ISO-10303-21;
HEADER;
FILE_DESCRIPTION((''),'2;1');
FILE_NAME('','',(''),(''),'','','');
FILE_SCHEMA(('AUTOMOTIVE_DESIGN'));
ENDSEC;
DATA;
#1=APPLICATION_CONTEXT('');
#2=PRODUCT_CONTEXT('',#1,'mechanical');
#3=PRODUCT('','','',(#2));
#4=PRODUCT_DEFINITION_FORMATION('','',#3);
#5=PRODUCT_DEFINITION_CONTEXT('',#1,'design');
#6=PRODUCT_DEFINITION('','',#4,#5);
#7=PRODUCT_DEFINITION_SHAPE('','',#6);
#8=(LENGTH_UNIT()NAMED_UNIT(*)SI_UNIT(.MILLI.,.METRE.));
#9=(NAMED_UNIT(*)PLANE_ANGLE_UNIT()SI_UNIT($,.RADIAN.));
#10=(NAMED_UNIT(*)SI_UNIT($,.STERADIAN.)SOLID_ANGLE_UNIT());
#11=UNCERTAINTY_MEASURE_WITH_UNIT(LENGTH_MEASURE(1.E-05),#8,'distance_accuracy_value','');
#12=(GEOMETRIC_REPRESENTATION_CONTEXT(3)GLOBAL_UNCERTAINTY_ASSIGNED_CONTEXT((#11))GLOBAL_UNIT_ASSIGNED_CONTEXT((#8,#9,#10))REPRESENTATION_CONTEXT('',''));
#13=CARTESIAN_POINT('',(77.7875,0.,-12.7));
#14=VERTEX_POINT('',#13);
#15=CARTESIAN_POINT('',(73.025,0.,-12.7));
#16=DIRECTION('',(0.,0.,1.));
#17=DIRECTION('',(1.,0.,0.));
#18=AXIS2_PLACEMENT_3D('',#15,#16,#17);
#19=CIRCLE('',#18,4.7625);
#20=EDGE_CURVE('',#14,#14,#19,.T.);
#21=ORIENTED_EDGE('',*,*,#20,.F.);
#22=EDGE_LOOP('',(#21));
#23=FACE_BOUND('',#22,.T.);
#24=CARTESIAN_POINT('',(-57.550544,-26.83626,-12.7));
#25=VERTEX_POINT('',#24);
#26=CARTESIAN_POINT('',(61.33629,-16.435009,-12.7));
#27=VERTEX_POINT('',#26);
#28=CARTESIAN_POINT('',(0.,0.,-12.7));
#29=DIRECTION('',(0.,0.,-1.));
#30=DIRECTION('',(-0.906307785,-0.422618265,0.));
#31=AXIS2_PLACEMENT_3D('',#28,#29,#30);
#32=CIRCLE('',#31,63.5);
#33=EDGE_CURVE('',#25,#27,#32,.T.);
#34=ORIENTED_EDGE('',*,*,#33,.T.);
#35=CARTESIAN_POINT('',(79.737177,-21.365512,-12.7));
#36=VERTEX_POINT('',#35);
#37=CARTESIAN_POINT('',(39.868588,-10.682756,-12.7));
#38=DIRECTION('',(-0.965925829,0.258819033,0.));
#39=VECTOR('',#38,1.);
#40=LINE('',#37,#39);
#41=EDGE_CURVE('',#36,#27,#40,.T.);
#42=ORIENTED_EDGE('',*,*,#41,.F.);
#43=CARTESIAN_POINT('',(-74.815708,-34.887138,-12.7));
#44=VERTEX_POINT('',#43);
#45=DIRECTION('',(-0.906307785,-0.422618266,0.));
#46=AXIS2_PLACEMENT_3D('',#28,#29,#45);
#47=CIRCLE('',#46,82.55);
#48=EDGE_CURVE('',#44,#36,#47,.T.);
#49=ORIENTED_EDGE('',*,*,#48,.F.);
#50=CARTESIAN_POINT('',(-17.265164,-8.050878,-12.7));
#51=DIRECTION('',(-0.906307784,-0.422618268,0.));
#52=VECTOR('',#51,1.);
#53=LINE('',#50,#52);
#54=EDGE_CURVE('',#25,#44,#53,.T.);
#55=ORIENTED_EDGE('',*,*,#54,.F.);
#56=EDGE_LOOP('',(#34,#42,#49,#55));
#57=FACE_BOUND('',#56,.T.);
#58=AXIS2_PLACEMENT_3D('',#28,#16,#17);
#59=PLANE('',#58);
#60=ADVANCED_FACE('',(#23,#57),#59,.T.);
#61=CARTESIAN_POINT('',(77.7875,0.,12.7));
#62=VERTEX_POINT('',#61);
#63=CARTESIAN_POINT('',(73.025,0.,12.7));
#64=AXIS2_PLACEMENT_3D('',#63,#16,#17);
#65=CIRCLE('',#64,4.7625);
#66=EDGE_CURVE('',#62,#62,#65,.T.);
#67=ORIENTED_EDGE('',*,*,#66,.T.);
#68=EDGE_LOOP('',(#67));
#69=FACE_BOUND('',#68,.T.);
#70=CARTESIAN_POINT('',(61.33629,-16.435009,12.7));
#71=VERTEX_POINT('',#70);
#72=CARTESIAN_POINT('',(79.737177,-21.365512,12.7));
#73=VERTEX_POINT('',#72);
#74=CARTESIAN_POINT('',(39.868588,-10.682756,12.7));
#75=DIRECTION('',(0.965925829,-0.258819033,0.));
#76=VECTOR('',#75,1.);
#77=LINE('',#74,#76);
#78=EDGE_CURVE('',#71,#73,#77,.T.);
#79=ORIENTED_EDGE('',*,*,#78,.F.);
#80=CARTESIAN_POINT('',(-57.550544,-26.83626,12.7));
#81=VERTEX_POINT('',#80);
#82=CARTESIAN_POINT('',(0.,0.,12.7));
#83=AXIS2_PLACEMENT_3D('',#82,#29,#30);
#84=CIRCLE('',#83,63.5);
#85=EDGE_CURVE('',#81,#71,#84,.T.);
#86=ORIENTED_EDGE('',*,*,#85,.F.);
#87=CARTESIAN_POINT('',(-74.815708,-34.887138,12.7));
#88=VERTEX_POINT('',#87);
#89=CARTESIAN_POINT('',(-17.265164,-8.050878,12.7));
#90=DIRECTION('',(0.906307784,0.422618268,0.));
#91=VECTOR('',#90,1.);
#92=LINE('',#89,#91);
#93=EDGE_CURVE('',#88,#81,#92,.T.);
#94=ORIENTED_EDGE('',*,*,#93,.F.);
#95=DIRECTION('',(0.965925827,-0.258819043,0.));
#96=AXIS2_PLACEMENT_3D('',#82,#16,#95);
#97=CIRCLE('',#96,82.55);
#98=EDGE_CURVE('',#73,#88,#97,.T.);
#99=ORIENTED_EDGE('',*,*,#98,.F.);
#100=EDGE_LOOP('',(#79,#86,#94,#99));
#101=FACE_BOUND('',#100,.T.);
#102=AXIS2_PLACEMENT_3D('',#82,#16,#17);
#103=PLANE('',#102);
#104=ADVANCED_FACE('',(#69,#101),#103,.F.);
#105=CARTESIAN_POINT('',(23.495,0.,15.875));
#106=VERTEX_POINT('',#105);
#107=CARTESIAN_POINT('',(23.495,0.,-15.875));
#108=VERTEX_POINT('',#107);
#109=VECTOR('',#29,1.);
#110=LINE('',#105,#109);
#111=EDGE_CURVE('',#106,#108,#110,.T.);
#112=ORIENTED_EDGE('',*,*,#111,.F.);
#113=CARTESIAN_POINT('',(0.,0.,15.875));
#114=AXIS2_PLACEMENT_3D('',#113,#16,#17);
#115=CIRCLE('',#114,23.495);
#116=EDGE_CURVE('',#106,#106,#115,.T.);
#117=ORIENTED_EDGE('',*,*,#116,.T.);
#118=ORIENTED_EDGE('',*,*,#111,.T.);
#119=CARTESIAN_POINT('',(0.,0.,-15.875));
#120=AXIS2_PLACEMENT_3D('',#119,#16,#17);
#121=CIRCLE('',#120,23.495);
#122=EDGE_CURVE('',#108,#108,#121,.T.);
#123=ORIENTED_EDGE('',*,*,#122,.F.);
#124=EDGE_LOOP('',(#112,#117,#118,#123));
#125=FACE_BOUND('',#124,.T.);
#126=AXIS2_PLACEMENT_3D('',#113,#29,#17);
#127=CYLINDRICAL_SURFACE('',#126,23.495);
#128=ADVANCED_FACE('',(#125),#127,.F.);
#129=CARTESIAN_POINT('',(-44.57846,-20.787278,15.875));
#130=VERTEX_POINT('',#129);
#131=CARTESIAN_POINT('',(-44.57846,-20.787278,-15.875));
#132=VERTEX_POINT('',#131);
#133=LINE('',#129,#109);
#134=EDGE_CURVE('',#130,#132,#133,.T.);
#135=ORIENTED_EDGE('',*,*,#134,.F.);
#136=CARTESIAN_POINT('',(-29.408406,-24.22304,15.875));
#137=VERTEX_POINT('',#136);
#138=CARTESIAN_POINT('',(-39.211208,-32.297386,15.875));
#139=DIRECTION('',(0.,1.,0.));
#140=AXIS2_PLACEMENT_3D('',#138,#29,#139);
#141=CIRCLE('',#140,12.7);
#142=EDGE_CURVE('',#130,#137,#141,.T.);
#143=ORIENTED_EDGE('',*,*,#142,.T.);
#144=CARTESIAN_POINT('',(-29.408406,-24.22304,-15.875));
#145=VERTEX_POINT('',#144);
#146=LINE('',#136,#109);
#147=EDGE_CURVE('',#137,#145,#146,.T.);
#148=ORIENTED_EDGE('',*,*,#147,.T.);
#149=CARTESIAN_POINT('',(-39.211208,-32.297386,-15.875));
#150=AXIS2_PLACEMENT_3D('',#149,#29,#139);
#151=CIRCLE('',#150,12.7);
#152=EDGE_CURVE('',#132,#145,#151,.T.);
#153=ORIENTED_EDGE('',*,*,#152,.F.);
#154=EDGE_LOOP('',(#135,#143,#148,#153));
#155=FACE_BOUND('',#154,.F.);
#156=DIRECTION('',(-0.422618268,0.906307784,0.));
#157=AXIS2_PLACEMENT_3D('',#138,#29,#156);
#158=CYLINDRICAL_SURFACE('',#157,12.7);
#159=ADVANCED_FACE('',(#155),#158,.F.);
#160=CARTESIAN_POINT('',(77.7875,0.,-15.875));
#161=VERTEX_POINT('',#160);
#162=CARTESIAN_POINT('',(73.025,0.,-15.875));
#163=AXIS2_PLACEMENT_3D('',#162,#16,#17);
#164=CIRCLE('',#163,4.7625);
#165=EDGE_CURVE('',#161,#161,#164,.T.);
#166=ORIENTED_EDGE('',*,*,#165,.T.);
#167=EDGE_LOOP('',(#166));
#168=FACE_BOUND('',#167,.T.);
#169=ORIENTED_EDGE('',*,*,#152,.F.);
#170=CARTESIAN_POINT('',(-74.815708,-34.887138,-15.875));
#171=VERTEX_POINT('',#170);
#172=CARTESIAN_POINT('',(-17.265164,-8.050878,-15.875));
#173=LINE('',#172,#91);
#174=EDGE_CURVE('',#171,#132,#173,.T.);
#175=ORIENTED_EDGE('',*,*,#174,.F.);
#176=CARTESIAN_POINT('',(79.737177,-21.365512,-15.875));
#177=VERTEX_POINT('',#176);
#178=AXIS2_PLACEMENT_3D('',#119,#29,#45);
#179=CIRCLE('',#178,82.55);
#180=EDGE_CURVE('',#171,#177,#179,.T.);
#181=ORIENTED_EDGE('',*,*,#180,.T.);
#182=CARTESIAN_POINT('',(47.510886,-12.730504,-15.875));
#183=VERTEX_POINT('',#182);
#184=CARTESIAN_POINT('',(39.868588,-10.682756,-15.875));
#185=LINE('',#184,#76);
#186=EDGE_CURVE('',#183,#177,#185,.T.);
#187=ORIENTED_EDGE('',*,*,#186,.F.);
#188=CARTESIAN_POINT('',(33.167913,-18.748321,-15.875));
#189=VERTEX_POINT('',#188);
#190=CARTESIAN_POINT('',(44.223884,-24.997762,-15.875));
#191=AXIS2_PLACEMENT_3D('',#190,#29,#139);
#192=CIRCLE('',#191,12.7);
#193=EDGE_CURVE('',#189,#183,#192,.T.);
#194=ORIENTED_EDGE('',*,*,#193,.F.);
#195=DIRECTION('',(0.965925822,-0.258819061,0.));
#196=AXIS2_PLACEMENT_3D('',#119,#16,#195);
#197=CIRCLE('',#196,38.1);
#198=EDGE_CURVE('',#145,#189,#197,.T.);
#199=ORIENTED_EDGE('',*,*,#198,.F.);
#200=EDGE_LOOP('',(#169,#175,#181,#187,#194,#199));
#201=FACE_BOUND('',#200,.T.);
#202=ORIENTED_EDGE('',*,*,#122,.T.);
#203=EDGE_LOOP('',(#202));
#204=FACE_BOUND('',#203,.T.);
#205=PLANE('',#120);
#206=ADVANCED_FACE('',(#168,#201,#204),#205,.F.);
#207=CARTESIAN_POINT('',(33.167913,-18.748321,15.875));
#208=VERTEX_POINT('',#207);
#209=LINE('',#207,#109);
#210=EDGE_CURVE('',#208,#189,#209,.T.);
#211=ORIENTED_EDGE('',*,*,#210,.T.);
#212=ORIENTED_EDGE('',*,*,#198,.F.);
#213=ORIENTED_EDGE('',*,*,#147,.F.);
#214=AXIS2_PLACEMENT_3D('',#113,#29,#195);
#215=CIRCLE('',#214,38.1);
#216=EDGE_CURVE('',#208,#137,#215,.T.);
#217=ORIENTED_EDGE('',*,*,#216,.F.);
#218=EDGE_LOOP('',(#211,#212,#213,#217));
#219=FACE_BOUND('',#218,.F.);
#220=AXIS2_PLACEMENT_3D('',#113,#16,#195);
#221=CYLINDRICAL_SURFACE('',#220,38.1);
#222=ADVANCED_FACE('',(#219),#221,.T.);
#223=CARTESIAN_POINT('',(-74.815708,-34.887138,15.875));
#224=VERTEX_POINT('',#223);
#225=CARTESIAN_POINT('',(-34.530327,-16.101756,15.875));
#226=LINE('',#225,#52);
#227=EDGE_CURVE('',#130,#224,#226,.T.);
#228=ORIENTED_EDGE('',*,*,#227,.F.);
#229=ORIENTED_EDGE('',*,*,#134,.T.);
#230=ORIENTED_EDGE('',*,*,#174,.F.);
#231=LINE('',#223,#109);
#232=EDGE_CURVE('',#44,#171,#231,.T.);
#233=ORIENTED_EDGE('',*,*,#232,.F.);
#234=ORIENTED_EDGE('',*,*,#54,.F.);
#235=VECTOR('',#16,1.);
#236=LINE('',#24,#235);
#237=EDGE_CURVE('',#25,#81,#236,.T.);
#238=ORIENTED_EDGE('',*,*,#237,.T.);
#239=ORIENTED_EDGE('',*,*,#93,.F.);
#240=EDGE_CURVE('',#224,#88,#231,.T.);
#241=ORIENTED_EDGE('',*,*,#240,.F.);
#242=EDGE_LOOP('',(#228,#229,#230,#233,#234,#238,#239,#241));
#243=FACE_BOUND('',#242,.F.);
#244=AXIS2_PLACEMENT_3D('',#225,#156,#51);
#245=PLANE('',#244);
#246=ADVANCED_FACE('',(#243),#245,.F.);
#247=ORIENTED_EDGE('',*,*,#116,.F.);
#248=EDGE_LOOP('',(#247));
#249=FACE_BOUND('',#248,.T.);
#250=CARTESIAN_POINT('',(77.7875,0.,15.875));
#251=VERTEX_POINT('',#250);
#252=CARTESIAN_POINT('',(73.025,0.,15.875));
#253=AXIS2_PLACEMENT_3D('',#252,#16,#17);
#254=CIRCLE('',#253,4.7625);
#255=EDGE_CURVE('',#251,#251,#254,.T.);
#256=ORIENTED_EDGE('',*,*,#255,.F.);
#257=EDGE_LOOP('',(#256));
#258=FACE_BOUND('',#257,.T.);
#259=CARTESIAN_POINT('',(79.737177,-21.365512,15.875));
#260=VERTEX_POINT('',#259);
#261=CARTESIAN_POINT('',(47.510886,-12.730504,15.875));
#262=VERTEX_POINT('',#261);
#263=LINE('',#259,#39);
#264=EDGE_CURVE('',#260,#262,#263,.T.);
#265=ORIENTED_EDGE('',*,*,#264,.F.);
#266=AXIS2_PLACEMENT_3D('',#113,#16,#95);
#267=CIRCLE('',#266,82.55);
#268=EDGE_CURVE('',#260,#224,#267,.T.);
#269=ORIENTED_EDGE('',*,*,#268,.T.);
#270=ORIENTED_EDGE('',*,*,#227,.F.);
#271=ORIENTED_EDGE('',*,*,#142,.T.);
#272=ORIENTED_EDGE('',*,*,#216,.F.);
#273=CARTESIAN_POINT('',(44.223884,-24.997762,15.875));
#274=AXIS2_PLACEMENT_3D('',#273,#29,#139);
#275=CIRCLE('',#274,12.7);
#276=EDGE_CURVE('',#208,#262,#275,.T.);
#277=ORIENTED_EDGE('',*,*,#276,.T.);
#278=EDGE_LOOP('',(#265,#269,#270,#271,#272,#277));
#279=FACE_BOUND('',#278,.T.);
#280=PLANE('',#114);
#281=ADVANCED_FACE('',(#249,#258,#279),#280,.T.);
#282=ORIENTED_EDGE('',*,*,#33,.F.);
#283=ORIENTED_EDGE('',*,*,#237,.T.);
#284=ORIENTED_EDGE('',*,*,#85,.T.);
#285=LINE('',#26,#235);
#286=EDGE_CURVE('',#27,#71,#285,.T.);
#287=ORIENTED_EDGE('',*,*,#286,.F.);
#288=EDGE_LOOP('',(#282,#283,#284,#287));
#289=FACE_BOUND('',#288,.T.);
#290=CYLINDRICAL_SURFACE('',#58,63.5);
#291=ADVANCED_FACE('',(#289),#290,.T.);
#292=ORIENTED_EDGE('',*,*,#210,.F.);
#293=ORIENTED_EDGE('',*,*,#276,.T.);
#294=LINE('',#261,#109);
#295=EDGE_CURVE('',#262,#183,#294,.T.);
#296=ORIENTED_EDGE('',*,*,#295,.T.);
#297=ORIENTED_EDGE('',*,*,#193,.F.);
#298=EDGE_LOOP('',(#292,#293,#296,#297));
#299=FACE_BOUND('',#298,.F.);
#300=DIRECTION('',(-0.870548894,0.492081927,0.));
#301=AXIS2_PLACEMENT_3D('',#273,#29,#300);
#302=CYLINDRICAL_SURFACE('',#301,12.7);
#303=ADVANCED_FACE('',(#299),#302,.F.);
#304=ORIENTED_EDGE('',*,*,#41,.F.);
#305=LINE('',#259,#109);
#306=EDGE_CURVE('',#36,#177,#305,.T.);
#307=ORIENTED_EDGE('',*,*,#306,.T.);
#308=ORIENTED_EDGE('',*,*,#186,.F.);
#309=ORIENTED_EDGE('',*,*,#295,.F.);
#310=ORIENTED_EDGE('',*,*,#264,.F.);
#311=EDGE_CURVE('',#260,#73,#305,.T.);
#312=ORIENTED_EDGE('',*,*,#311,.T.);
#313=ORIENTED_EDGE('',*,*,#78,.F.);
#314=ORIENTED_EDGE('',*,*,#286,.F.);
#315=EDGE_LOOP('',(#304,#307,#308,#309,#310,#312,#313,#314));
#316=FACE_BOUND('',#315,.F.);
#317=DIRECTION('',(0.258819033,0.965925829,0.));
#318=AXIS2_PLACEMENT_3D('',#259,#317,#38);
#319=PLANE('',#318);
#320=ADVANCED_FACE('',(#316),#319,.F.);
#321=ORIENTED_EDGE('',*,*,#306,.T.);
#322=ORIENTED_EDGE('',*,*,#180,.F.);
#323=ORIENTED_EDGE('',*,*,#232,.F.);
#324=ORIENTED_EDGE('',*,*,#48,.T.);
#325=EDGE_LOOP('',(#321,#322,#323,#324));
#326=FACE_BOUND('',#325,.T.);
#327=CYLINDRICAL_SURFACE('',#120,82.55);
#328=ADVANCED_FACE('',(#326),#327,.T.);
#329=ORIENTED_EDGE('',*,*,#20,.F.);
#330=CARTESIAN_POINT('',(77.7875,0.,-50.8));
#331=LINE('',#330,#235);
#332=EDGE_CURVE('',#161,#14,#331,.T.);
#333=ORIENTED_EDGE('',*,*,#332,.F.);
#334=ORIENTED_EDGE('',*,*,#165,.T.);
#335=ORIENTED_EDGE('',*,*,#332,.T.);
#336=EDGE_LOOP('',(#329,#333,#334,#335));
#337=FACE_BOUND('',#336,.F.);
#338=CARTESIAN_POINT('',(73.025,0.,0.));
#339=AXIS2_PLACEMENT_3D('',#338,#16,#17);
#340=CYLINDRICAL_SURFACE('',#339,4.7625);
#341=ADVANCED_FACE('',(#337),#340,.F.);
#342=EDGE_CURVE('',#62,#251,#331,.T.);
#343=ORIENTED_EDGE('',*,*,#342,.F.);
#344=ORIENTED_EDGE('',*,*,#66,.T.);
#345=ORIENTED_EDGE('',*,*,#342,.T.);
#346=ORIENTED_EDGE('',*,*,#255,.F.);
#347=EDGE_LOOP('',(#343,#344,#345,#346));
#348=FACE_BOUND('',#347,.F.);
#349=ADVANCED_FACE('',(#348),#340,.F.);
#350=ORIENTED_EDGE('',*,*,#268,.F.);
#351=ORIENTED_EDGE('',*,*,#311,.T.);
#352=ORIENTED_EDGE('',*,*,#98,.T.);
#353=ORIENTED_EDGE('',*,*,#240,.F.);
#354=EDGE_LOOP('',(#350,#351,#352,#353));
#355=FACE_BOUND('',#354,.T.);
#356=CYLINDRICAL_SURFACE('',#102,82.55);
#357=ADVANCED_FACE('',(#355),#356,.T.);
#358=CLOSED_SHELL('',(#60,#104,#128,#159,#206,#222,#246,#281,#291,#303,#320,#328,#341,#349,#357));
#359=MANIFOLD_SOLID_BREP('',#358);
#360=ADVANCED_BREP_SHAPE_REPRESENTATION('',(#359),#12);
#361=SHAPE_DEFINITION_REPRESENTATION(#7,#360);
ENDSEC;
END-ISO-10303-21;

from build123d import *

# Parameters (mm, degrees)
F2_R     = 4.7625
F3_DEPTH = 50.8
F5_DEPTH = 31.751
F6_R     = 12.7


with BuildPart() as f1:
    # F0 (on Front) → F1 (revolve)
    with BuildSketch(Plane.XZ):
        Polygon((29.845, 15.875), (23.495, 15.875), (23.495, -15.875), (29.845, -15.875), (60.325, -15.875), (82.55, -15.875), (82.55, -12.7), (63.5, -12.7), (63.5, 12.7), (82.55, 12.7), (82.55, 15.875), (60.325, 15.875), align=None)
    revolve(axis=Axis((0, 0, 17.235907), (0, 0, 1)))

    # F2 (on Top) → F3 (cut, symmetric)
    with BuildSketch(Plane.XY):
        with Locations((73.025, 0)):
            Circle(F2_R)
    extrude(amount=F3_DEPTH, both=True, mode=Mode.SUBTRACT)

    # F4 (on face) → F5 (cut, through all)
    with BuildSketch(Plane.XY.offset(15.875)):
        with BuildLine():
            ThreePointArc((-74.815708, -34.887138), (7.194707, -82.235872), (79.737177, -21.365512))
            Line((79.737177, -21.365512), (36.801774, -9.861006))
            ThreePointArc((36.801774, -9.861006), (3.320634, -37.955018), (-34.530327, -16.101756))
            Line((-34.530327, -16.101756), (-74.815708, -34.887138))
        make_face()
    extrude(amount=-F5_DEPTH, mode=Mode.SUBTRACT)

    # F6
    f6_edges = [f1.edges().sort_by_distance(p)[0] for p in [
        (-34.530327, -16.101756, 0),
        (36.801774, -9.861006, 0),
    ]]
    fillet(f6_edges, radius=F6_R)


solid = f1.part
